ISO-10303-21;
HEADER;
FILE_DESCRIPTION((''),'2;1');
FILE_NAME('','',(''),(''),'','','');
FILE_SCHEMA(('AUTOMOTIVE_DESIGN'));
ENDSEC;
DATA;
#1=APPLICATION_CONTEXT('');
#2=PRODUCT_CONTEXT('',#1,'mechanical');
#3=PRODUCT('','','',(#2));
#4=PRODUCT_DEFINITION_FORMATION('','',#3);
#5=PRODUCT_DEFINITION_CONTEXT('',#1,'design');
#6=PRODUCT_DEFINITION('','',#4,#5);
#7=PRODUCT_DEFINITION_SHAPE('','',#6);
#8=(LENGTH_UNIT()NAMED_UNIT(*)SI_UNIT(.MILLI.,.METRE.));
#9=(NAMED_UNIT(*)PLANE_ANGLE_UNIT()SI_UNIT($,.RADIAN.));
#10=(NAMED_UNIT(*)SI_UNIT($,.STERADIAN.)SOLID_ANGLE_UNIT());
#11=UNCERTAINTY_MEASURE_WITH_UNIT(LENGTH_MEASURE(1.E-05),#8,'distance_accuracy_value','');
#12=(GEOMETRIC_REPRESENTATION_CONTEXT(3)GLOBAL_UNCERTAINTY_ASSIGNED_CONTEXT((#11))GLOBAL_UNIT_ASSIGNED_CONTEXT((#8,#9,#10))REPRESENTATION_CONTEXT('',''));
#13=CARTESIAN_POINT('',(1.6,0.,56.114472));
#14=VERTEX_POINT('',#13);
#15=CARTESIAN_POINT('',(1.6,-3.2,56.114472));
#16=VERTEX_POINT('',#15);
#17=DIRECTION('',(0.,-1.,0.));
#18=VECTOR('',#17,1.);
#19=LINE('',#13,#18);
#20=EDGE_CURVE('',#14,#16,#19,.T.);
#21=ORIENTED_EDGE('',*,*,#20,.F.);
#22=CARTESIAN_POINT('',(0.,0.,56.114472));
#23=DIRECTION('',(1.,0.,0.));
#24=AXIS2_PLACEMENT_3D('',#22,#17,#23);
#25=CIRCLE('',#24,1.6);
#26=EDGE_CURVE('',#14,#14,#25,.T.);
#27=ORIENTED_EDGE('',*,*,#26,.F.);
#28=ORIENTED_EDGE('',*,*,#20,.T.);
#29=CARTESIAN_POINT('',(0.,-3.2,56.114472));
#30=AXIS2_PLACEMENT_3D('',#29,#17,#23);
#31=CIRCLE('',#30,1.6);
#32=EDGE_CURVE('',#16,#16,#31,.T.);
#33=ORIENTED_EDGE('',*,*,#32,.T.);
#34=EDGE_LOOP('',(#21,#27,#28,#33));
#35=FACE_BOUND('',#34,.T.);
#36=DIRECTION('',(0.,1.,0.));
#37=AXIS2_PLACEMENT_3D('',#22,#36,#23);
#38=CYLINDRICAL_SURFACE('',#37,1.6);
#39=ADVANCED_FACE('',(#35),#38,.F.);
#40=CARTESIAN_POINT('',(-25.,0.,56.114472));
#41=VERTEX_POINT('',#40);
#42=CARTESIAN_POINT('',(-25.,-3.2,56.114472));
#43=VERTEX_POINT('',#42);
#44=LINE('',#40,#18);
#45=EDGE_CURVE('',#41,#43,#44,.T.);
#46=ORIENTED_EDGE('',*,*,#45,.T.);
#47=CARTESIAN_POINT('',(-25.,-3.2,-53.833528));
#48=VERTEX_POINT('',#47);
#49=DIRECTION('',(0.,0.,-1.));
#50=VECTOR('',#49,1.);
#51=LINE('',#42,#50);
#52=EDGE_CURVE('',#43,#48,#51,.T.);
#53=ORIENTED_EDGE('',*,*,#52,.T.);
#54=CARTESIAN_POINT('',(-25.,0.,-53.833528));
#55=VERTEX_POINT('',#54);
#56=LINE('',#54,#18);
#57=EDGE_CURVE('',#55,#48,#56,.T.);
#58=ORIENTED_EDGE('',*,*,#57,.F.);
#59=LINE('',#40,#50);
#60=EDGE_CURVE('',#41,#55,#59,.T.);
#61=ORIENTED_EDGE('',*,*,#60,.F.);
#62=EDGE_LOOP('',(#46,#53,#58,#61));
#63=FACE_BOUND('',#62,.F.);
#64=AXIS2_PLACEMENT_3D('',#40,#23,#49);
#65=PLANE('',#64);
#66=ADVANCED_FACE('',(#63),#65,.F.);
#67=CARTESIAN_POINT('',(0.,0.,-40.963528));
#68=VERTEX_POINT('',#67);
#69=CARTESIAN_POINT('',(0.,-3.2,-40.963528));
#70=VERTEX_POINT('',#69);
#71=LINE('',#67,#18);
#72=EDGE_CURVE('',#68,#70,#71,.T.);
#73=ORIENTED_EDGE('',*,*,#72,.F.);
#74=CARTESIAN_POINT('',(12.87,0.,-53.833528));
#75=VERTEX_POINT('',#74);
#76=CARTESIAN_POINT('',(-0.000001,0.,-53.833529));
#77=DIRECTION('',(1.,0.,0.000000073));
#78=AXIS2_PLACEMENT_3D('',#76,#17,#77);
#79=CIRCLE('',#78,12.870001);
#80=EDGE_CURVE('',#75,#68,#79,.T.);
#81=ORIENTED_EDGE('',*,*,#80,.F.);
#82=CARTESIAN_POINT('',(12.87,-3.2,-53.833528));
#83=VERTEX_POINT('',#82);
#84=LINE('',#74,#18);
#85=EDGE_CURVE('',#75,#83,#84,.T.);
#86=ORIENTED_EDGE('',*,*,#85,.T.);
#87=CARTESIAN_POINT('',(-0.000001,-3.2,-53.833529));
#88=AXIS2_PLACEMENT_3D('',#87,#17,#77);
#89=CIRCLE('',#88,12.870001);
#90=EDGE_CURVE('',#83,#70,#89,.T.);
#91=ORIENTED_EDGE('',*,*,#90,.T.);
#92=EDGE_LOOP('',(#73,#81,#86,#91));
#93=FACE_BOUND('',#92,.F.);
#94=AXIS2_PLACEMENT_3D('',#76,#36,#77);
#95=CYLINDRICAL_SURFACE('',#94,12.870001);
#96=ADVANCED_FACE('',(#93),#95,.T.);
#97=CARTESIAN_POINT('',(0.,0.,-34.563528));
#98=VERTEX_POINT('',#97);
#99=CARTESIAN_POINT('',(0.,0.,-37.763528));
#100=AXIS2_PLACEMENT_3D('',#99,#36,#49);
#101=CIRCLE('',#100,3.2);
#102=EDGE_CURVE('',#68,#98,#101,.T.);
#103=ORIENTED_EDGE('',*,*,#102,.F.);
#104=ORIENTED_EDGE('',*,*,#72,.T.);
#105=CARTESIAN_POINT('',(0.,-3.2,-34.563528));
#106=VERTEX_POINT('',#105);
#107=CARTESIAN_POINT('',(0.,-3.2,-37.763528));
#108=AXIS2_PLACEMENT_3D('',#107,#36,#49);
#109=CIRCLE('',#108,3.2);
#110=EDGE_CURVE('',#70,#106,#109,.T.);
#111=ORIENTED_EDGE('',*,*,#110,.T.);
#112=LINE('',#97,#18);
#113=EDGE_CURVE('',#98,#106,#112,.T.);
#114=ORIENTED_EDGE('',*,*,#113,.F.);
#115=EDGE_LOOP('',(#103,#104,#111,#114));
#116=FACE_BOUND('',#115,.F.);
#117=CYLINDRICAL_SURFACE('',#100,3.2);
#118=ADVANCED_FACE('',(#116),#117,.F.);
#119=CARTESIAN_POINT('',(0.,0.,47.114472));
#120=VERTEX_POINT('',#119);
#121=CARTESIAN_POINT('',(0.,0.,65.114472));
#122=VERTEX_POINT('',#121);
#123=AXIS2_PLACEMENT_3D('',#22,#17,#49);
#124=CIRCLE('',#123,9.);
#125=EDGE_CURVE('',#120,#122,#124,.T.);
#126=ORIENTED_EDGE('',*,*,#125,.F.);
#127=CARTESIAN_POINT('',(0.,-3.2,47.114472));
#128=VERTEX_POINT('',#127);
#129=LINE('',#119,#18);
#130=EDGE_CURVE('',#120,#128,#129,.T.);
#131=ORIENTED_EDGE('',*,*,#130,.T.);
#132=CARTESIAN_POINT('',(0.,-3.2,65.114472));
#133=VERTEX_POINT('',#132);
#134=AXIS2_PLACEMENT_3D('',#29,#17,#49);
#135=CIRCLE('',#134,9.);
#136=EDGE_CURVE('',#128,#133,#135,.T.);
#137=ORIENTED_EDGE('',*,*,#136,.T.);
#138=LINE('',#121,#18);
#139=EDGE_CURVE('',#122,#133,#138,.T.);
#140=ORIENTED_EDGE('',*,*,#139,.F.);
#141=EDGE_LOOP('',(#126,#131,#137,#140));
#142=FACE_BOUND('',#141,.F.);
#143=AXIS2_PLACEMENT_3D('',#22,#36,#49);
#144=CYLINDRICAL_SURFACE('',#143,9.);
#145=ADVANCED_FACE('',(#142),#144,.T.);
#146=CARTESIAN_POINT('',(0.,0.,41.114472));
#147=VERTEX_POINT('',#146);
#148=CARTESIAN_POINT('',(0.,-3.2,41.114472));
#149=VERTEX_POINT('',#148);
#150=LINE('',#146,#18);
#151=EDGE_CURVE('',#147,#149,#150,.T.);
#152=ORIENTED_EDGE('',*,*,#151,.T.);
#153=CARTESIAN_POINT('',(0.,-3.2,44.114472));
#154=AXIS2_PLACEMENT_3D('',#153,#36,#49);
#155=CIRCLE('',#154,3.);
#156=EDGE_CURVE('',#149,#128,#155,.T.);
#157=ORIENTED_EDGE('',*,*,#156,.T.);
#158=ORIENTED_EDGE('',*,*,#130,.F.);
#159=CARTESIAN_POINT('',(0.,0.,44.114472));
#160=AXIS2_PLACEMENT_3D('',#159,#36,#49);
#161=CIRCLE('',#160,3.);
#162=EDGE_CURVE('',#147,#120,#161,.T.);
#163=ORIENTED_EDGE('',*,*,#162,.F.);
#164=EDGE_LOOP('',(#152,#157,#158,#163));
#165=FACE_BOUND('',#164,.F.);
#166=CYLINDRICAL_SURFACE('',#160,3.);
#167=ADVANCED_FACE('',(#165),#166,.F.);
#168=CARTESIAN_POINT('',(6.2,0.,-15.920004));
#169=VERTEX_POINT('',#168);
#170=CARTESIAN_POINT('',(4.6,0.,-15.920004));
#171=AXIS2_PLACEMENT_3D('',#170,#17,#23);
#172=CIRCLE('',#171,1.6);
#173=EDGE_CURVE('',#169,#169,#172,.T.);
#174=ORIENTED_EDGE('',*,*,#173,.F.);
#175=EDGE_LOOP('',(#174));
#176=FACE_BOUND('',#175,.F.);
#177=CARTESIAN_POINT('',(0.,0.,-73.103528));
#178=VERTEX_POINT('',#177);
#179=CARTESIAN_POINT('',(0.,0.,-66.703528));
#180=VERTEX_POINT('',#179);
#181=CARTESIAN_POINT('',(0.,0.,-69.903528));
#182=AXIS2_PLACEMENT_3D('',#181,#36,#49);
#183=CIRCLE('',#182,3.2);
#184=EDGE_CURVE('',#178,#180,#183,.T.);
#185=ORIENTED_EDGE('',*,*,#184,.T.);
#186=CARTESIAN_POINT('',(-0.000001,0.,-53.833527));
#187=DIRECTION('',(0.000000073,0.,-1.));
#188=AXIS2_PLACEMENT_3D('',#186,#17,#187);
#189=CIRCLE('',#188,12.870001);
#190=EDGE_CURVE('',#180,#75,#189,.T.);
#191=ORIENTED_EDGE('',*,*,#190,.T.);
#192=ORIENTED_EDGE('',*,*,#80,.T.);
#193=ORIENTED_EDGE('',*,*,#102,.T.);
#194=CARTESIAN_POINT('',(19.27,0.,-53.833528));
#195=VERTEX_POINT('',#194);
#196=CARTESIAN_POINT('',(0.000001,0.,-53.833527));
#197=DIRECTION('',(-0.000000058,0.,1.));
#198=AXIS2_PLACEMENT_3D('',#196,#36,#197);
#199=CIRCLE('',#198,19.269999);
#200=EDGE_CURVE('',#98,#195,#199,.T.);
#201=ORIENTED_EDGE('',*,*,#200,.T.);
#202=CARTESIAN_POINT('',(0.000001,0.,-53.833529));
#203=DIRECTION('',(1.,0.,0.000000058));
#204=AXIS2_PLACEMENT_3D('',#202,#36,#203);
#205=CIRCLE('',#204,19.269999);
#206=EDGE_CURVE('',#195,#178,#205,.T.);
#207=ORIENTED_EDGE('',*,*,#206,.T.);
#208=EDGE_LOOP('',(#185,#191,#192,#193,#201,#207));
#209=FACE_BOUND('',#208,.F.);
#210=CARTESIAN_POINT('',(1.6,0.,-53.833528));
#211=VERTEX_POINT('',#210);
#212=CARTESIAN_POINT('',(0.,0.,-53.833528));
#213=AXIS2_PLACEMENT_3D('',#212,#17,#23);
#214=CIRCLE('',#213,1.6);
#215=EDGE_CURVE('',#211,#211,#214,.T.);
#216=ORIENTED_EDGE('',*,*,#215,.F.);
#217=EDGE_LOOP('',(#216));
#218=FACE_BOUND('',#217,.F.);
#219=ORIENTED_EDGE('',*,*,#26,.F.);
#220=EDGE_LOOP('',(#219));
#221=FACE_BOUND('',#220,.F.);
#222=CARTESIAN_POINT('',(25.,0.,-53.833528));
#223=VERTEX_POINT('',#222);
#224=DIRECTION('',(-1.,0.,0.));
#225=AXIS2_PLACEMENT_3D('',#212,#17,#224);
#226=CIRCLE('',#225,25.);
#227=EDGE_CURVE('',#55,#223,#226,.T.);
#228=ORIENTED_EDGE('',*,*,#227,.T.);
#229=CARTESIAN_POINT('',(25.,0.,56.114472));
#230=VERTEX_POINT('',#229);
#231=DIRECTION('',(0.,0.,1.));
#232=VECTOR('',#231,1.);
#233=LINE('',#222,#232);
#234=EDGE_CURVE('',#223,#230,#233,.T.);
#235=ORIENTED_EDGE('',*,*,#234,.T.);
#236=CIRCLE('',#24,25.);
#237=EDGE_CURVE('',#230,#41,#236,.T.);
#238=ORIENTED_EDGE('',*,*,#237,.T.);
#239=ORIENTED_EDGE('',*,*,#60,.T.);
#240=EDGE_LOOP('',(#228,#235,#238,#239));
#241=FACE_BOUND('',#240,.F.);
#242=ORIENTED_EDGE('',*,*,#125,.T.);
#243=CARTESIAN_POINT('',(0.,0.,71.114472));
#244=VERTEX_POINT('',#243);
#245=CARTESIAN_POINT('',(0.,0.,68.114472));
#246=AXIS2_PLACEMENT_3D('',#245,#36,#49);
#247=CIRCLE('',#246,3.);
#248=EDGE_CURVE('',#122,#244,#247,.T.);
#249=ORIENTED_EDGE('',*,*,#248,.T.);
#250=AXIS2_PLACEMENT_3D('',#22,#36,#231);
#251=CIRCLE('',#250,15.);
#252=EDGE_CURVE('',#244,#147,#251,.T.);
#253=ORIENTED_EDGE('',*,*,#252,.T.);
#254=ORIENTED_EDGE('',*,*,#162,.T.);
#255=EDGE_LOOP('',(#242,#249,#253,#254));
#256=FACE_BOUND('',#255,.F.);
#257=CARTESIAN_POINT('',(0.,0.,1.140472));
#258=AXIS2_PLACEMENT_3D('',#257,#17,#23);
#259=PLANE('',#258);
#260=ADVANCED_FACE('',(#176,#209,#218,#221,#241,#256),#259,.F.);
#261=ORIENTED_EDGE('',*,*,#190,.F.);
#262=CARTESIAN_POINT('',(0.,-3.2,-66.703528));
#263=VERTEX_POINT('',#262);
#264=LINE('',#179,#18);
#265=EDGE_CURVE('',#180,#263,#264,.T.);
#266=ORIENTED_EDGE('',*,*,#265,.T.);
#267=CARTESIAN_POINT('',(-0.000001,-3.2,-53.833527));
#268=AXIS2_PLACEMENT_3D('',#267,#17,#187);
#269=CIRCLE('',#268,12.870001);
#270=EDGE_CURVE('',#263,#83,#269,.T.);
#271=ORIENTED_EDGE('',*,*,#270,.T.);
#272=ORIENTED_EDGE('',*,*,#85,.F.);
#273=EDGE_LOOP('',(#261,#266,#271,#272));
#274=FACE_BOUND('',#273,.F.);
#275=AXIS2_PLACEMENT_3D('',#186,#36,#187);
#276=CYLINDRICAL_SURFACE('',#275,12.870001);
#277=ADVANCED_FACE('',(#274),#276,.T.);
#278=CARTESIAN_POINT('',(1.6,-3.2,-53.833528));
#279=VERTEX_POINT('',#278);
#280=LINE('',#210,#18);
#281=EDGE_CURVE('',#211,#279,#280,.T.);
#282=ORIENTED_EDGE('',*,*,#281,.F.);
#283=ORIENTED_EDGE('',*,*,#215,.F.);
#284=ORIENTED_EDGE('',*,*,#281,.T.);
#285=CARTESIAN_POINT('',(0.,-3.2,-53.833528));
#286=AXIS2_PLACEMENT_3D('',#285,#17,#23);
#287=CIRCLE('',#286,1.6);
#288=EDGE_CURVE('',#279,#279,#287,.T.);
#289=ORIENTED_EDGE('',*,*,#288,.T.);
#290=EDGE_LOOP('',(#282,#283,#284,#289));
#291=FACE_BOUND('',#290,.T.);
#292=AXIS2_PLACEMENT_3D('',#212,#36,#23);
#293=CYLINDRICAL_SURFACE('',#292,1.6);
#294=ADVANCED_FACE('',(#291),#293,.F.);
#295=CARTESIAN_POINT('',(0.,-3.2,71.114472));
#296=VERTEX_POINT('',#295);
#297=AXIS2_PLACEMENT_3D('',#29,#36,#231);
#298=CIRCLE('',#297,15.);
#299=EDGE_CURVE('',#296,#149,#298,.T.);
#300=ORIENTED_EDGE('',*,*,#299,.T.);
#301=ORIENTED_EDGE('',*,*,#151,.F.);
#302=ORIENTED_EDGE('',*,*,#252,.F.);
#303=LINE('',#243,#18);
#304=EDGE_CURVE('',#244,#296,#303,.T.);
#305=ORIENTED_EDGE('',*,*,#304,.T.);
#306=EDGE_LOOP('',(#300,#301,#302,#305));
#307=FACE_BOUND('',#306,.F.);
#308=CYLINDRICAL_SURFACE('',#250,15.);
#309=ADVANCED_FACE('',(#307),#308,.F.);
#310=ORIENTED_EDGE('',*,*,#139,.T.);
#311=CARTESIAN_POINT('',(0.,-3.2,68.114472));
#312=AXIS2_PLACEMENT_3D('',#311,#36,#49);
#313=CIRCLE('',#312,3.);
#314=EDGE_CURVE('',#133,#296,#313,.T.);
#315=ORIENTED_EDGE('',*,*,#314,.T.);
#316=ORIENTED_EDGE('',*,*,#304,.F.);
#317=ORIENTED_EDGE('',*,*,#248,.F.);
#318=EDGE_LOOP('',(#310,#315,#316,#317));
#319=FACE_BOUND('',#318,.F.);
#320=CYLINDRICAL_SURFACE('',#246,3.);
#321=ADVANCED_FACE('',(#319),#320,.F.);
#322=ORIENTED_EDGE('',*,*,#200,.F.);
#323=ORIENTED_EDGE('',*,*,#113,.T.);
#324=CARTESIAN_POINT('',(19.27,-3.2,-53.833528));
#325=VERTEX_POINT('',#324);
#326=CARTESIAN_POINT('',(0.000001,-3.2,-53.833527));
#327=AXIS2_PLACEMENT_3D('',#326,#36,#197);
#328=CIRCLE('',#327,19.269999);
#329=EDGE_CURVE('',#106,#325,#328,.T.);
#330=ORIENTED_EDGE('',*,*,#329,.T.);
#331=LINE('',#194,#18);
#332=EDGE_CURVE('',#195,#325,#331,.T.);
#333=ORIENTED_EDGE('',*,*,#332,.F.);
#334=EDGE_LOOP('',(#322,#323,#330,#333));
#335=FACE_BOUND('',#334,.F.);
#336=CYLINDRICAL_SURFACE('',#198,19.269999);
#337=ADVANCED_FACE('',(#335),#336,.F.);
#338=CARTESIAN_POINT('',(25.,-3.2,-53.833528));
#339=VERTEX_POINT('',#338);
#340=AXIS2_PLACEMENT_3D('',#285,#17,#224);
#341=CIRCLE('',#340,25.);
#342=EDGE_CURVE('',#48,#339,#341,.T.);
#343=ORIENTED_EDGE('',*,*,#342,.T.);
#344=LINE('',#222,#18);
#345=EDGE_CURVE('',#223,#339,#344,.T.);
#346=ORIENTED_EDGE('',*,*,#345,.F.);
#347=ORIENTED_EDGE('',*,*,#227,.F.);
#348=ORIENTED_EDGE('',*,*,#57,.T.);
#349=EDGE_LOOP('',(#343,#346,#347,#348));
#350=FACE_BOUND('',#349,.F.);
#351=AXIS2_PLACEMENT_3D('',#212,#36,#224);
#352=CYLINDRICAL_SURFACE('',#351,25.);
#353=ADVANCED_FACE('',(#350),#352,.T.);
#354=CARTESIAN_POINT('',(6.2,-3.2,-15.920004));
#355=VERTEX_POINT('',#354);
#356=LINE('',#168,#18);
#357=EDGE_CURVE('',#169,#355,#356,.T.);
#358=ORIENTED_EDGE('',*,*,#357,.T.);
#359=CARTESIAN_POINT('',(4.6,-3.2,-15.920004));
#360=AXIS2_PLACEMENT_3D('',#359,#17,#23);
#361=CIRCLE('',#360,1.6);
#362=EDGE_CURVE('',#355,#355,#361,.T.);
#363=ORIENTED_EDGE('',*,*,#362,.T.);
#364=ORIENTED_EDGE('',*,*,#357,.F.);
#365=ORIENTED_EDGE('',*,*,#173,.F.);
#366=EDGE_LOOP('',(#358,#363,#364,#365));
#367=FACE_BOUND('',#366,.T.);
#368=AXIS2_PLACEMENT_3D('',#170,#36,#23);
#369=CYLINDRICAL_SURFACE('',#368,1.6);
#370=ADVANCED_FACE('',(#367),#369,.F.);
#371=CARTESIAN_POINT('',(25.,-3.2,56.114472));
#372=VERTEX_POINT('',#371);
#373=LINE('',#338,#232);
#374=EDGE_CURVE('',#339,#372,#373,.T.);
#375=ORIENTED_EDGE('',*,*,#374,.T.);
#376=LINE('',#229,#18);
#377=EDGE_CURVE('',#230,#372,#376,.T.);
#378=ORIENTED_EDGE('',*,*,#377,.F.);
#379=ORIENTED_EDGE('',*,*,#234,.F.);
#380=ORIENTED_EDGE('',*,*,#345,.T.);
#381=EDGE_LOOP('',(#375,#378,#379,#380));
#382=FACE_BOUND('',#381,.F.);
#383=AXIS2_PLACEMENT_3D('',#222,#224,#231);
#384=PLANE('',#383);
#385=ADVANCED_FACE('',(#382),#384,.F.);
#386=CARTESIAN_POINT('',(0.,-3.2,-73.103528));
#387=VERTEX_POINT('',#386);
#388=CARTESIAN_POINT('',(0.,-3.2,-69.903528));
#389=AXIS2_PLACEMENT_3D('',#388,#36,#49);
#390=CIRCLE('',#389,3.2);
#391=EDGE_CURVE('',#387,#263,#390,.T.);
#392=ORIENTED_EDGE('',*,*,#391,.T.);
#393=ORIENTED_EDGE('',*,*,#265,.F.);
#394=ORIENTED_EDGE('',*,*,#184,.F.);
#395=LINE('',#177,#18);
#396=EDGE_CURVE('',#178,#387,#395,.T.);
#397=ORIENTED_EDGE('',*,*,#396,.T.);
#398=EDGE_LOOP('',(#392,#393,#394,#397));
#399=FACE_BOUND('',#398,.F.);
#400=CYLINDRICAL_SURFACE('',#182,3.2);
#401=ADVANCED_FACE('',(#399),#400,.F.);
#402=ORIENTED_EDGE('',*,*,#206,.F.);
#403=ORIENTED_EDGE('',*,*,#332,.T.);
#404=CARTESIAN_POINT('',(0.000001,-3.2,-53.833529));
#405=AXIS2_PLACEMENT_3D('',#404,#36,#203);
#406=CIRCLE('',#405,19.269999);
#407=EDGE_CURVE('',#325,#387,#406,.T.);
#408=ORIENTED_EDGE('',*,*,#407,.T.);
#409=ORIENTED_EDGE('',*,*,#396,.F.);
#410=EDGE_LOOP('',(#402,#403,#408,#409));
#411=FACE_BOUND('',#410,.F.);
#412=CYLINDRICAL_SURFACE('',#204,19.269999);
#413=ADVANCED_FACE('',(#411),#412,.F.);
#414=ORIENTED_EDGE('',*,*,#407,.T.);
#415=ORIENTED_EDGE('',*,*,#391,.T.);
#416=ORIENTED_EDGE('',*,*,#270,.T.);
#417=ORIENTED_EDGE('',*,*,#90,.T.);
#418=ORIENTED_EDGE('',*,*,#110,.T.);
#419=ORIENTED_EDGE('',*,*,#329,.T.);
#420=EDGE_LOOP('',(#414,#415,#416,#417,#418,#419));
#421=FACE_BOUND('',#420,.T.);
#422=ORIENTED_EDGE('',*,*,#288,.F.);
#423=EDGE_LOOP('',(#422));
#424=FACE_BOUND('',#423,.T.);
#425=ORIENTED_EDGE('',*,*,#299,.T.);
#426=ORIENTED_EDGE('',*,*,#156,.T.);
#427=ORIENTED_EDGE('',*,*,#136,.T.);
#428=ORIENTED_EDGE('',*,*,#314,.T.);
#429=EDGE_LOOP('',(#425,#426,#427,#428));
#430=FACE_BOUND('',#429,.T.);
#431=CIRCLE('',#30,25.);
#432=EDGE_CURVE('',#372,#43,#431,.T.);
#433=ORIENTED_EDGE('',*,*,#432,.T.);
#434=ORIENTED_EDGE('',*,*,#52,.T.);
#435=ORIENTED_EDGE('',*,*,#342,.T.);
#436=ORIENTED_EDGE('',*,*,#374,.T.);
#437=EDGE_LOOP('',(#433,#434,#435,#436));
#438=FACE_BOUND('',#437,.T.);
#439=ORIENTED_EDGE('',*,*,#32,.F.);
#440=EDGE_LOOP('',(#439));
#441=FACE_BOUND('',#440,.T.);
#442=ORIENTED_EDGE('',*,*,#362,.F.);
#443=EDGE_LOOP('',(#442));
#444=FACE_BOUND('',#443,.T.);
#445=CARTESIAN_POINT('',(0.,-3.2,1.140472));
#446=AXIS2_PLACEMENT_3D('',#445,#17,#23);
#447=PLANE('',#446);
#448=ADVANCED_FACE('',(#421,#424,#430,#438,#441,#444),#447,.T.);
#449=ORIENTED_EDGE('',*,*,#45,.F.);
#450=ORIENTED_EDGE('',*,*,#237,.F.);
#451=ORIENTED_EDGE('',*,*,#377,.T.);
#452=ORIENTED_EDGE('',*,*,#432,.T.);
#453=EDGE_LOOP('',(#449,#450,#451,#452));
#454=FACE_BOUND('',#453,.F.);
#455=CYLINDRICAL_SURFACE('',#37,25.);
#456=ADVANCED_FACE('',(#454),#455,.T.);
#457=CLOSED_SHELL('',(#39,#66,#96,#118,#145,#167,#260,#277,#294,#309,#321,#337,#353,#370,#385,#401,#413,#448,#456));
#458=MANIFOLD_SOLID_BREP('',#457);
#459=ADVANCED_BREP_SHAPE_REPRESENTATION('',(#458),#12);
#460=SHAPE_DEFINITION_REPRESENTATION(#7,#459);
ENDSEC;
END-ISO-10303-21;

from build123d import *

# Parameters (mm, degrees)
F0_R     = 1.6
F1_DEPTH = 3.2


with BuildPart() as f1:
    # F0 (on Front) → F1 (new body)
    with BuildSketch(Plane.XZ):
        with BuildLine():
            ThreePointArc((25, 56.114472), (0, 81.114472), (-25, 56.114472))
            Line((-25, 56.114472), (-25, -53.833528))
            ThreePointArc((-25, -53.833528), (0, -78.833528), (25, -53.833528))
            Line((25, -53.833528), (25, 56.114472))
        make_face()
        with Locations((0, -53.833528)):
            Circle(F0_R, mode=Mode.SUBTRACT)
        with BuildLine():
            ThreePointArc((0, -73.103528), (-3.2, -69.903528), (0, -66.703528))
            ThreePointArc((0, -66.703528), (9.100464, -62.933992), (12.87, -53.833528))
            ThreePointArc((12.87, -53.833528), (9.100464, -44.733064), (0, -40.963528))
            ThreePointArc((0, -40.963528), (-3.2, -37.763528), (0, -34.563528))
            ThreePointArc((0, -34.563528), (13.625948, -40.20758), (19.27, -53.833528))
            ThreePointArc((19.27, -53.833528), (13.625948, -67.459476), (0, -73.103528))
        make_face(mode=Mode.SUBTRACT)
        with Locations((4.6, -15.920004)):
            Circle(F0_R, mode=Mode.SUBTRACT)
        with Locations((0, 56.114472)):
            Circle(F0_R, mode=Mode.SUBTRACT)
        with BuildLine():
            ThreePointArc((0, 41.114472), (-3, 44.114472), (0, 47.114472))
            ThreePointArc((0, 47.114472), (9, 56.114472), (0, 65.114472))
            ThreePointArc((0, 65.114472), (-3, 68.114472), (0, 71.114472))
            ThreePointArc((0, 71.114472), (15, 56.114472), (0, 41.114472))
        make_face(mode=Mode.SUBTRACT)
    extrude(amount=F1_DEPTH)


solid = f1.part
